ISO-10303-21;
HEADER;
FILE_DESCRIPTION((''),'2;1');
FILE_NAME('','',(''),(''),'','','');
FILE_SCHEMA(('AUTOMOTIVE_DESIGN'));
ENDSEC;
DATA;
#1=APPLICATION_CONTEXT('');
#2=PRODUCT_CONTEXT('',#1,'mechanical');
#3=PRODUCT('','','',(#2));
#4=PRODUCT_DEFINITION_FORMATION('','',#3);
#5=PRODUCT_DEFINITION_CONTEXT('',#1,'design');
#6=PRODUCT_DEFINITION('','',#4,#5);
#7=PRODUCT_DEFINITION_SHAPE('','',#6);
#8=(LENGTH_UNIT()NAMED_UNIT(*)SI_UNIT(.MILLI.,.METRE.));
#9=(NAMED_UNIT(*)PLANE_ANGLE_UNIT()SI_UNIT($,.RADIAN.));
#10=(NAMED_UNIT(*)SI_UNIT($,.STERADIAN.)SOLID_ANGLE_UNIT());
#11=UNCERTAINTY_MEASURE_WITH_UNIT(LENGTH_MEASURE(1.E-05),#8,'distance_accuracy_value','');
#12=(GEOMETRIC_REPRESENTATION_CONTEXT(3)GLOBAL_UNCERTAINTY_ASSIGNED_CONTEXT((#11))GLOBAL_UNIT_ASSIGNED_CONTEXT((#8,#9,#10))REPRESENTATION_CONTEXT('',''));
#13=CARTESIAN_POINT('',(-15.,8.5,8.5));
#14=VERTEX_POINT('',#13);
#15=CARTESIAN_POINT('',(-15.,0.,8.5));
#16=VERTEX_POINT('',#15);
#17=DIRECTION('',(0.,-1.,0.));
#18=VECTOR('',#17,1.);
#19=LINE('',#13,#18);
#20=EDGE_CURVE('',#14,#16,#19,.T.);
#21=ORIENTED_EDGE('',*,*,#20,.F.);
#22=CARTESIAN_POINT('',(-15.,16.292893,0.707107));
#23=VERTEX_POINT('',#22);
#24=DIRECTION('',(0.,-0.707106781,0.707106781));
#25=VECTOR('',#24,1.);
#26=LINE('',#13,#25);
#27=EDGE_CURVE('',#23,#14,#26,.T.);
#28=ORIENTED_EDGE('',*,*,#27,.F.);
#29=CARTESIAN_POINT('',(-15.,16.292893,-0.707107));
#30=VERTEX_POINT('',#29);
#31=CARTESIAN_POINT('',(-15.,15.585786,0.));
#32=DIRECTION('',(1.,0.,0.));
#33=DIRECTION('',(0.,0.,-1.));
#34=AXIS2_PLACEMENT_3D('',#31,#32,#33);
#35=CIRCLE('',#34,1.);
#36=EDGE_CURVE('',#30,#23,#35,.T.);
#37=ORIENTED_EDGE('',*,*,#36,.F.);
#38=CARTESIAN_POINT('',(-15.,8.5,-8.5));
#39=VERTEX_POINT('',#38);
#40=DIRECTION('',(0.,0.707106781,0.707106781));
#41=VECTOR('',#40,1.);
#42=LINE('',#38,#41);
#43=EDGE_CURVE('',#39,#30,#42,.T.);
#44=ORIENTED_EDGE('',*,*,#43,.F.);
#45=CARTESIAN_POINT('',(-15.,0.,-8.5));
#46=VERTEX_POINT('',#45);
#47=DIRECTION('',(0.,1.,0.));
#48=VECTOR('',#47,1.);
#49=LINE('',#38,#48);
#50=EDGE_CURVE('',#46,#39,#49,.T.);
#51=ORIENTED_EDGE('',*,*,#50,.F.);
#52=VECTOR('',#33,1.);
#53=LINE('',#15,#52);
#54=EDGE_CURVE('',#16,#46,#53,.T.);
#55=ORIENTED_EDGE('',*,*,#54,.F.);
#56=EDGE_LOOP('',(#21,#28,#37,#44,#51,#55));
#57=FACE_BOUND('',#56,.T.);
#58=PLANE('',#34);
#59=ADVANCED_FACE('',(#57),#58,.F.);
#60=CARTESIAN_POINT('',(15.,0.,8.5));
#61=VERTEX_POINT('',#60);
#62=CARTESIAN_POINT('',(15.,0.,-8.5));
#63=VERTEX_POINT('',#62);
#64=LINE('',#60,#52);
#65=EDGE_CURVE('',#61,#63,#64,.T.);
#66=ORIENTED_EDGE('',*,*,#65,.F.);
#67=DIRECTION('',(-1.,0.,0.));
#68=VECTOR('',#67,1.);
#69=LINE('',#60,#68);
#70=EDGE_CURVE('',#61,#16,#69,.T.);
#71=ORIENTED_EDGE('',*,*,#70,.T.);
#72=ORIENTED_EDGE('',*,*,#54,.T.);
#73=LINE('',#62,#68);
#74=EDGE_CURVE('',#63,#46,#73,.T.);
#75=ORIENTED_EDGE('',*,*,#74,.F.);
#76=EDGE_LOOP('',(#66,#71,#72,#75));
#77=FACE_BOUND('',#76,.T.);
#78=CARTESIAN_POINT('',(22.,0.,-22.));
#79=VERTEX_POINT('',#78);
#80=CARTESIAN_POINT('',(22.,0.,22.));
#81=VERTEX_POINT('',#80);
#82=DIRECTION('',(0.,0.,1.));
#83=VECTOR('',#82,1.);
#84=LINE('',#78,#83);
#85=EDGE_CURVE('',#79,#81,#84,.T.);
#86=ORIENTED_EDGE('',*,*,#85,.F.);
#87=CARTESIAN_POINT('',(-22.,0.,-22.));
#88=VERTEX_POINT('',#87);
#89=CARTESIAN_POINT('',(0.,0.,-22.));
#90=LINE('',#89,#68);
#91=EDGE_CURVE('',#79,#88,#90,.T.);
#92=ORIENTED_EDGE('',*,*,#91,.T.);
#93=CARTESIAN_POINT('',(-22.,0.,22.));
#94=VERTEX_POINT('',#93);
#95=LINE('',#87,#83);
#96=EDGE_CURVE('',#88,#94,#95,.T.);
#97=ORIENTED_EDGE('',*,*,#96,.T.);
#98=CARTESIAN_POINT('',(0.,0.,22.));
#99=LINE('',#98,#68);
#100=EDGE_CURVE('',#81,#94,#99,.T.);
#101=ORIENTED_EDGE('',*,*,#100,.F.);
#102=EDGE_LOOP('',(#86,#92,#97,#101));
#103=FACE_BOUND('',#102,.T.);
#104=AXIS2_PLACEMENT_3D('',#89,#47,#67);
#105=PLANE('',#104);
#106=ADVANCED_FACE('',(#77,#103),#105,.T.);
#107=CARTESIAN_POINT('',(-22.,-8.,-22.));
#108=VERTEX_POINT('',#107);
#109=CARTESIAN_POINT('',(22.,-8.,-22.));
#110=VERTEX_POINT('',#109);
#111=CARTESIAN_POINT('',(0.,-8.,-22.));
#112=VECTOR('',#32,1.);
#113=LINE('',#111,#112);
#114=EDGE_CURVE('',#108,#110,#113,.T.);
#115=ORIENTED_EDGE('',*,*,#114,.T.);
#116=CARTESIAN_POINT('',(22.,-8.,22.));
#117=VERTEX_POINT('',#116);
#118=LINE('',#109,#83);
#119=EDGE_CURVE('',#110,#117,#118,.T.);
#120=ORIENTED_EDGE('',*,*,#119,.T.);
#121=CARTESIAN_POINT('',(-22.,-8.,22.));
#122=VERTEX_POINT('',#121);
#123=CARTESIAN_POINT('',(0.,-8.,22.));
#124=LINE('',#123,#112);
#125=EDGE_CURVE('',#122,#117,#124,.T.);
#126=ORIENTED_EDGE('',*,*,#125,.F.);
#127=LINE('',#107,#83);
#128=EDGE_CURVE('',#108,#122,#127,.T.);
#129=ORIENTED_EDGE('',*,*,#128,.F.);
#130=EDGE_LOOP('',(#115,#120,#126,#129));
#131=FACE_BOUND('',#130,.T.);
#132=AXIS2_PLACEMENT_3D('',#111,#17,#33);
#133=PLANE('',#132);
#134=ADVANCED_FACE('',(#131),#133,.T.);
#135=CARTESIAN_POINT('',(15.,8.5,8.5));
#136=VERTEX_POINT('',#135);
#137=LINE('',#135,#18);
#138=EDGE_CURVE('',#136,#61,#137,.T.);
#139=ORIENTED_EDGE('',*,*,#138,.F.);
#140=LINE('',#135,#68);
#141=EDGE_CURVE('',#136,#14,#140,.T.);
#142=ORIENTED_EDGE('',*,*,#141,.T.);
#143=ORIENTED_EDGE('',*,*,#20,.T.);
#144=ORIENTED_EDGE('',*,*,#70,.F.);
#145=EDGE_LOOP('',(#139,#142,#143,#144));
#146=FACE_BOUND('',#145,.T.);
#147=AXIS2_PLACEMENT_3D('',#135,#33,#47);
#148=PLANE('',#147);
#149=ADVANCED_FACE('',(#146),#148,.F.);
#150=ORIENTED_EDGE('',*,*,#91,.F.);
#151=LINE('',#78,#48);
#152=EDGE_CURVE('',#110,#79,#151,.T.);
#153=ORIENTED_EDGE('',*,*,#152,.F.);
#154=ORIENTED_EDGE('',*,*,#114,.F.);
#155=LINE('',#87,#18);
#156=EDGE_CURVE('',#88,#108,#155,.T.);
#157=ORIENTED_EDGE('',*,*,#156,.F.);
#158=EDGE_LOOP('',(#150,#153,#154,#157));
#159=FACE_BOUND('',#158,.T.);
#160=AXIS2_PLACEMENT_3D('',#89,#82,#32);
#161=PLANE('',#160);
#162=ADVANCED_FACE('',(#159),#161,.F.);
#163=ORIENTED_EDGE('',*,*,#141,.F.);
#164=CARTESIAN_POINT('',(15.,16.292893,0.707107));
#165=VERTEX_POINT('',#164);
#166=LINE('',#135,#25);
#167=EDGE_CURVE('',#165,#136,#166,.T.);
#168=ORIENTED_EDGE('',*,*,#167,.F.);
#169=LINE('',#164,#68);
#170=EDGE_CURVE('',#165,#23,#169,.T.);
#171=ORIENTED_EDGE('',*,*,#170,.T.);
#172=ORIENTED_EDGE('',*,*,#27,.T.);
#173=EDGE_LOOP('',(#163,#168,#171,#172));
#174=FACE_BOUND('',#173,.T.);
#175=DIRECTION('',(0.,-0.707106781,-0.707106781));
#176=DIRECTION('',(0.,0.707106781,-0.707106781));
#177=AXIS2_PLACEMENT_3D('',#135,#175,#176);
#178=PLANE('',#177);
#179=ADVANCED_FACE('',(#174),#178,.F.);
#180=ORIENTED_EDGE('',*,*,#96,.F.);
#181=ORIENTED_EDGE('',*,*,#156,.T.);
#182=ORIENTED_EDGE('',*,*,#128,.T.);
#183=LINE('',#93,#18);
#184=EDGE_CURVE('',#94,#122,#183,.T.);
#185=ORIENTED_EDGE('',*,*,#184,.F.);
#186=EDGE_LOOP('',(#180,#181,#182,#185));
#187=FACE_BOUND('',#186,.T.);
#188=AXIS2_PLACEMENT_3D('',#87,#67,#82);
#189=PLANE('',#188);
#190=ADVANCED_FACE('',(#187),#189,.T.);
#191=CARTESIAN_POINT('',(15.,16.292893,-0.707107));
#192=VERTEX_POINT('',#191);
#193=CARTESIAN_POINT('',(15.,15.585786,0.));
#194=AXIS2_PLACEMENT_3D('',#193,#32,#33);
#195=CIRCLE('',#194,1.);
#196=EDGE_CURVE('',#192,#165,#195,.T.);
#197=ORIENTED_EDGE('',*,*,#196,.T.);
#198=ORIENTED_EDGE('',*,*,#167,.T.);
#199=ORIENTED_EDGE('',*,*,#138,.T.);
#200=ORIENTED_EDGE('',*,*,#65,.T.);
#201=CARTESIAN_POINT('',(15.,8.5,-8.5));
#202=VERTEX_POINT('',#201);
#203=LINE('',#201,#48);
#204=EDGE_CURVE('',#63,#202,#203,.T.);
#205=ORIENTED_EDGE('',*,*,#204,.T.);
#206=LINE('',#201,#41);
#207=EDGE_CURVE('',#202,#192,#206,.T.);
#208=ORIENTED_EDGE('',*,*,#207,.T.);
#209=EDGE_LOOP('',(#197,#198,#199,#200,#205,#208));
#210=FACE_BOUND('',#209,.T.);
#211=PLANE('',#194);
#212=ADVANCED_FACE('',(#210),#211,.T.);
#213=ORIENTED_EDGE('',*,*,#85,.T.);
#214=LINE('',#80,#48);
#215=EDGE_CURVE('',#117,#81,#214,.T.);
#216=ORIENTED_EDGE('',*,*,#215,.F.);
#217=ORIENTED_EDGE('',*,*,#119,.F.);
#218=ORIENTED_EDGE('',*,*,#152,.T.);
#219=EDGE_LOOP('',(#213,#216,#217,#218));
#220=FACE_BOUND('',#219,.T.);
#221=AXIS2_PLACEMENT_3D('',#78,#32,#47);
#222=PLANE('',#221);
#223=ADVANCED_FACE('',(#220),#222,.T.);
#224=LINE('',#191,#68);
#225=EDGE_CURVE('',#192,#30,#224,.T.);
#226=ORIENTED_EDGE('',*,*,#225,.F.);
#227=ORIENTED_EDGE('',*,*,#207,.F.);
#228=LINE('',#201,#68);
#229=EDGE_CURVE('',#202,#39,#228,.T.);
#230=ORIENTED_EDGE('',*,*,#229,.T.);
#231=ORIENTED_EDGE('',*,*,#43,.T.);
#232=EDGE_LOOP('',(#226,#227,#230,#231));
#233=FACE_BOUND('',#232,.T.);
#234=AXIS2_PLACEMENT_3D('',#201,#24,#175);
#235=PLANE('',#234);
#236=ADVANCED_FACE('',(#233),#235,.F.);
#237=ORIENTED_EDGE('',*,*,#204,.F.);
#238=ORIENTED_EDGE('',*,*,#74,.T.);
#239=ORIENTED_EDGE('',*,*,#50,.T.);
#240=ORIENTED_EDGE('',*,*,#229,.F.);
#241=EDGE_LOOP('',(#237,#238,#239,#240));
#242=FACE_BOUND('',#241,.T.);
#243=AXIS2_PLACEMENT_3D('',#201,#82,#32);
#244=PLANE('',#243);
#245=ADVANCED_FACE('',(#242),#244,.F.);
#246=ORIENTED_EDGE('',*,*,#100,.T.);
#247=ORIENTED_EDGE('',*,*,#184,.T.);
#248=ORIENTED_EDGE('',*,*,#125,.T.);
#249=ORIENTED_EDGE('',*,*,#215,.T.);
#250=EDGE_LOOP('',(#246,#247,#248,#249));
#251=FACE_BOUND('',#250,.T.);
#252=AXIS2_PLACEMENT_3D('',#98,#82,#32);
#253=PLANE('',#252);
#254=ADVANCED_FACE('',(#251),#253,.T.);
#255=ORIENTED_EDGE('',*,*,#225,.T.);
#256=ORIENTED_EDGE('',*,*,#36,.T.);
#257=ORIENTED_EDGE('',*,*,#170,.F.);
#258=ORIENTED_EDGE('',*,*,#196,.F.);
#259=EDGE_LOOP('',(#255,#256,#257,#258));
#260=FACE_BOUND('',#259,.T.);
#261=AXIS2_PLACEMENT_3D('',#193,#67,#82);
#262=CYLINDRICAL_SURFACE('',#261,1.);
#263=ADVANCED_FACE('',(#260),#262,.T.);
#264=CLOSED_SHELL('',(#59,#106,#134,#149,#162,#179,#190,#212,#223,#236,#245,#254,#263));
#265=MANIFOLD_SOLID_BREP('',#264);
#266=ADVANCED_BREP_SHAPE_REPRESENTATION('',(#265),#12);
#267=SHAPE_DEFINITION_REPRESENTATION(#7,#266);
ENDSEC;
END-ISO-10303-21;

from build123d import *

# Parameters (mm, degrees)
RESSALTO_EXTRUS_O1_DEPTH      = 22
RESSALTO_EXTRUS_O1_DEPTH_BACK = 22
RESSALTO_EXTRUS_O2_DEPTH      = 15
RESSALTO_EXTRUS_O2_DEPTH_BACK = 15


with BuildPart() as part:
    # Esboço2 → Ressalto-extrusão1 (new, two sides: drawn at the far end of the back side and taken through both)
    with BuildSketch(Plane.XY.offset(-RESSALTO_EXTRUS_O1_DEPTH_BACK)):
        Polygon((0, 0), (22, 0), (22, -8), (0, -8), (-22, -8), (-22, 0), align=None)
    extrude(amount=RESSALTO_EXTRUS_O1_DEPTH + RESSALTO_EXTRUS_O1_DEPTH_BACK)

    # Esboço4 → Ressalto-extrusão2 (add, two sides: drawn at the far end of the back side and taken through both)
    with BuildSketch(Plane(origin=(0, 0, 0), x_dir=(0, 0, -1), z_dir=(1, 0, 0)).offset(-RESSALTO_EXTRUS_O2_DEPTH_BACK)):
        with BuildLine():
            Line((-8.5, 8.5), (-0.707106781, 16.292893219))
            ThreePointArc((-0.707106781, 16.292893219), (0, 16.585786438), (0.707106781, 16.292893219))
            Line((0.707106781, 16.292893219), (8.5, 8.5))
            Line((8.5, 8.5), (8.5, 0))
            Line((8.5, 0), (0, 0))
            Line((0, 0), (-8.5, 0))
            Line((-8.5, 0), (-8.5, 8.5))
        make_face()
    extrude(amount=RESSALTO_EXTRUS_O2_DEPTH + RESSALTO_EXTRUS_O2_DEPTH_BACK)


solid = part.part
